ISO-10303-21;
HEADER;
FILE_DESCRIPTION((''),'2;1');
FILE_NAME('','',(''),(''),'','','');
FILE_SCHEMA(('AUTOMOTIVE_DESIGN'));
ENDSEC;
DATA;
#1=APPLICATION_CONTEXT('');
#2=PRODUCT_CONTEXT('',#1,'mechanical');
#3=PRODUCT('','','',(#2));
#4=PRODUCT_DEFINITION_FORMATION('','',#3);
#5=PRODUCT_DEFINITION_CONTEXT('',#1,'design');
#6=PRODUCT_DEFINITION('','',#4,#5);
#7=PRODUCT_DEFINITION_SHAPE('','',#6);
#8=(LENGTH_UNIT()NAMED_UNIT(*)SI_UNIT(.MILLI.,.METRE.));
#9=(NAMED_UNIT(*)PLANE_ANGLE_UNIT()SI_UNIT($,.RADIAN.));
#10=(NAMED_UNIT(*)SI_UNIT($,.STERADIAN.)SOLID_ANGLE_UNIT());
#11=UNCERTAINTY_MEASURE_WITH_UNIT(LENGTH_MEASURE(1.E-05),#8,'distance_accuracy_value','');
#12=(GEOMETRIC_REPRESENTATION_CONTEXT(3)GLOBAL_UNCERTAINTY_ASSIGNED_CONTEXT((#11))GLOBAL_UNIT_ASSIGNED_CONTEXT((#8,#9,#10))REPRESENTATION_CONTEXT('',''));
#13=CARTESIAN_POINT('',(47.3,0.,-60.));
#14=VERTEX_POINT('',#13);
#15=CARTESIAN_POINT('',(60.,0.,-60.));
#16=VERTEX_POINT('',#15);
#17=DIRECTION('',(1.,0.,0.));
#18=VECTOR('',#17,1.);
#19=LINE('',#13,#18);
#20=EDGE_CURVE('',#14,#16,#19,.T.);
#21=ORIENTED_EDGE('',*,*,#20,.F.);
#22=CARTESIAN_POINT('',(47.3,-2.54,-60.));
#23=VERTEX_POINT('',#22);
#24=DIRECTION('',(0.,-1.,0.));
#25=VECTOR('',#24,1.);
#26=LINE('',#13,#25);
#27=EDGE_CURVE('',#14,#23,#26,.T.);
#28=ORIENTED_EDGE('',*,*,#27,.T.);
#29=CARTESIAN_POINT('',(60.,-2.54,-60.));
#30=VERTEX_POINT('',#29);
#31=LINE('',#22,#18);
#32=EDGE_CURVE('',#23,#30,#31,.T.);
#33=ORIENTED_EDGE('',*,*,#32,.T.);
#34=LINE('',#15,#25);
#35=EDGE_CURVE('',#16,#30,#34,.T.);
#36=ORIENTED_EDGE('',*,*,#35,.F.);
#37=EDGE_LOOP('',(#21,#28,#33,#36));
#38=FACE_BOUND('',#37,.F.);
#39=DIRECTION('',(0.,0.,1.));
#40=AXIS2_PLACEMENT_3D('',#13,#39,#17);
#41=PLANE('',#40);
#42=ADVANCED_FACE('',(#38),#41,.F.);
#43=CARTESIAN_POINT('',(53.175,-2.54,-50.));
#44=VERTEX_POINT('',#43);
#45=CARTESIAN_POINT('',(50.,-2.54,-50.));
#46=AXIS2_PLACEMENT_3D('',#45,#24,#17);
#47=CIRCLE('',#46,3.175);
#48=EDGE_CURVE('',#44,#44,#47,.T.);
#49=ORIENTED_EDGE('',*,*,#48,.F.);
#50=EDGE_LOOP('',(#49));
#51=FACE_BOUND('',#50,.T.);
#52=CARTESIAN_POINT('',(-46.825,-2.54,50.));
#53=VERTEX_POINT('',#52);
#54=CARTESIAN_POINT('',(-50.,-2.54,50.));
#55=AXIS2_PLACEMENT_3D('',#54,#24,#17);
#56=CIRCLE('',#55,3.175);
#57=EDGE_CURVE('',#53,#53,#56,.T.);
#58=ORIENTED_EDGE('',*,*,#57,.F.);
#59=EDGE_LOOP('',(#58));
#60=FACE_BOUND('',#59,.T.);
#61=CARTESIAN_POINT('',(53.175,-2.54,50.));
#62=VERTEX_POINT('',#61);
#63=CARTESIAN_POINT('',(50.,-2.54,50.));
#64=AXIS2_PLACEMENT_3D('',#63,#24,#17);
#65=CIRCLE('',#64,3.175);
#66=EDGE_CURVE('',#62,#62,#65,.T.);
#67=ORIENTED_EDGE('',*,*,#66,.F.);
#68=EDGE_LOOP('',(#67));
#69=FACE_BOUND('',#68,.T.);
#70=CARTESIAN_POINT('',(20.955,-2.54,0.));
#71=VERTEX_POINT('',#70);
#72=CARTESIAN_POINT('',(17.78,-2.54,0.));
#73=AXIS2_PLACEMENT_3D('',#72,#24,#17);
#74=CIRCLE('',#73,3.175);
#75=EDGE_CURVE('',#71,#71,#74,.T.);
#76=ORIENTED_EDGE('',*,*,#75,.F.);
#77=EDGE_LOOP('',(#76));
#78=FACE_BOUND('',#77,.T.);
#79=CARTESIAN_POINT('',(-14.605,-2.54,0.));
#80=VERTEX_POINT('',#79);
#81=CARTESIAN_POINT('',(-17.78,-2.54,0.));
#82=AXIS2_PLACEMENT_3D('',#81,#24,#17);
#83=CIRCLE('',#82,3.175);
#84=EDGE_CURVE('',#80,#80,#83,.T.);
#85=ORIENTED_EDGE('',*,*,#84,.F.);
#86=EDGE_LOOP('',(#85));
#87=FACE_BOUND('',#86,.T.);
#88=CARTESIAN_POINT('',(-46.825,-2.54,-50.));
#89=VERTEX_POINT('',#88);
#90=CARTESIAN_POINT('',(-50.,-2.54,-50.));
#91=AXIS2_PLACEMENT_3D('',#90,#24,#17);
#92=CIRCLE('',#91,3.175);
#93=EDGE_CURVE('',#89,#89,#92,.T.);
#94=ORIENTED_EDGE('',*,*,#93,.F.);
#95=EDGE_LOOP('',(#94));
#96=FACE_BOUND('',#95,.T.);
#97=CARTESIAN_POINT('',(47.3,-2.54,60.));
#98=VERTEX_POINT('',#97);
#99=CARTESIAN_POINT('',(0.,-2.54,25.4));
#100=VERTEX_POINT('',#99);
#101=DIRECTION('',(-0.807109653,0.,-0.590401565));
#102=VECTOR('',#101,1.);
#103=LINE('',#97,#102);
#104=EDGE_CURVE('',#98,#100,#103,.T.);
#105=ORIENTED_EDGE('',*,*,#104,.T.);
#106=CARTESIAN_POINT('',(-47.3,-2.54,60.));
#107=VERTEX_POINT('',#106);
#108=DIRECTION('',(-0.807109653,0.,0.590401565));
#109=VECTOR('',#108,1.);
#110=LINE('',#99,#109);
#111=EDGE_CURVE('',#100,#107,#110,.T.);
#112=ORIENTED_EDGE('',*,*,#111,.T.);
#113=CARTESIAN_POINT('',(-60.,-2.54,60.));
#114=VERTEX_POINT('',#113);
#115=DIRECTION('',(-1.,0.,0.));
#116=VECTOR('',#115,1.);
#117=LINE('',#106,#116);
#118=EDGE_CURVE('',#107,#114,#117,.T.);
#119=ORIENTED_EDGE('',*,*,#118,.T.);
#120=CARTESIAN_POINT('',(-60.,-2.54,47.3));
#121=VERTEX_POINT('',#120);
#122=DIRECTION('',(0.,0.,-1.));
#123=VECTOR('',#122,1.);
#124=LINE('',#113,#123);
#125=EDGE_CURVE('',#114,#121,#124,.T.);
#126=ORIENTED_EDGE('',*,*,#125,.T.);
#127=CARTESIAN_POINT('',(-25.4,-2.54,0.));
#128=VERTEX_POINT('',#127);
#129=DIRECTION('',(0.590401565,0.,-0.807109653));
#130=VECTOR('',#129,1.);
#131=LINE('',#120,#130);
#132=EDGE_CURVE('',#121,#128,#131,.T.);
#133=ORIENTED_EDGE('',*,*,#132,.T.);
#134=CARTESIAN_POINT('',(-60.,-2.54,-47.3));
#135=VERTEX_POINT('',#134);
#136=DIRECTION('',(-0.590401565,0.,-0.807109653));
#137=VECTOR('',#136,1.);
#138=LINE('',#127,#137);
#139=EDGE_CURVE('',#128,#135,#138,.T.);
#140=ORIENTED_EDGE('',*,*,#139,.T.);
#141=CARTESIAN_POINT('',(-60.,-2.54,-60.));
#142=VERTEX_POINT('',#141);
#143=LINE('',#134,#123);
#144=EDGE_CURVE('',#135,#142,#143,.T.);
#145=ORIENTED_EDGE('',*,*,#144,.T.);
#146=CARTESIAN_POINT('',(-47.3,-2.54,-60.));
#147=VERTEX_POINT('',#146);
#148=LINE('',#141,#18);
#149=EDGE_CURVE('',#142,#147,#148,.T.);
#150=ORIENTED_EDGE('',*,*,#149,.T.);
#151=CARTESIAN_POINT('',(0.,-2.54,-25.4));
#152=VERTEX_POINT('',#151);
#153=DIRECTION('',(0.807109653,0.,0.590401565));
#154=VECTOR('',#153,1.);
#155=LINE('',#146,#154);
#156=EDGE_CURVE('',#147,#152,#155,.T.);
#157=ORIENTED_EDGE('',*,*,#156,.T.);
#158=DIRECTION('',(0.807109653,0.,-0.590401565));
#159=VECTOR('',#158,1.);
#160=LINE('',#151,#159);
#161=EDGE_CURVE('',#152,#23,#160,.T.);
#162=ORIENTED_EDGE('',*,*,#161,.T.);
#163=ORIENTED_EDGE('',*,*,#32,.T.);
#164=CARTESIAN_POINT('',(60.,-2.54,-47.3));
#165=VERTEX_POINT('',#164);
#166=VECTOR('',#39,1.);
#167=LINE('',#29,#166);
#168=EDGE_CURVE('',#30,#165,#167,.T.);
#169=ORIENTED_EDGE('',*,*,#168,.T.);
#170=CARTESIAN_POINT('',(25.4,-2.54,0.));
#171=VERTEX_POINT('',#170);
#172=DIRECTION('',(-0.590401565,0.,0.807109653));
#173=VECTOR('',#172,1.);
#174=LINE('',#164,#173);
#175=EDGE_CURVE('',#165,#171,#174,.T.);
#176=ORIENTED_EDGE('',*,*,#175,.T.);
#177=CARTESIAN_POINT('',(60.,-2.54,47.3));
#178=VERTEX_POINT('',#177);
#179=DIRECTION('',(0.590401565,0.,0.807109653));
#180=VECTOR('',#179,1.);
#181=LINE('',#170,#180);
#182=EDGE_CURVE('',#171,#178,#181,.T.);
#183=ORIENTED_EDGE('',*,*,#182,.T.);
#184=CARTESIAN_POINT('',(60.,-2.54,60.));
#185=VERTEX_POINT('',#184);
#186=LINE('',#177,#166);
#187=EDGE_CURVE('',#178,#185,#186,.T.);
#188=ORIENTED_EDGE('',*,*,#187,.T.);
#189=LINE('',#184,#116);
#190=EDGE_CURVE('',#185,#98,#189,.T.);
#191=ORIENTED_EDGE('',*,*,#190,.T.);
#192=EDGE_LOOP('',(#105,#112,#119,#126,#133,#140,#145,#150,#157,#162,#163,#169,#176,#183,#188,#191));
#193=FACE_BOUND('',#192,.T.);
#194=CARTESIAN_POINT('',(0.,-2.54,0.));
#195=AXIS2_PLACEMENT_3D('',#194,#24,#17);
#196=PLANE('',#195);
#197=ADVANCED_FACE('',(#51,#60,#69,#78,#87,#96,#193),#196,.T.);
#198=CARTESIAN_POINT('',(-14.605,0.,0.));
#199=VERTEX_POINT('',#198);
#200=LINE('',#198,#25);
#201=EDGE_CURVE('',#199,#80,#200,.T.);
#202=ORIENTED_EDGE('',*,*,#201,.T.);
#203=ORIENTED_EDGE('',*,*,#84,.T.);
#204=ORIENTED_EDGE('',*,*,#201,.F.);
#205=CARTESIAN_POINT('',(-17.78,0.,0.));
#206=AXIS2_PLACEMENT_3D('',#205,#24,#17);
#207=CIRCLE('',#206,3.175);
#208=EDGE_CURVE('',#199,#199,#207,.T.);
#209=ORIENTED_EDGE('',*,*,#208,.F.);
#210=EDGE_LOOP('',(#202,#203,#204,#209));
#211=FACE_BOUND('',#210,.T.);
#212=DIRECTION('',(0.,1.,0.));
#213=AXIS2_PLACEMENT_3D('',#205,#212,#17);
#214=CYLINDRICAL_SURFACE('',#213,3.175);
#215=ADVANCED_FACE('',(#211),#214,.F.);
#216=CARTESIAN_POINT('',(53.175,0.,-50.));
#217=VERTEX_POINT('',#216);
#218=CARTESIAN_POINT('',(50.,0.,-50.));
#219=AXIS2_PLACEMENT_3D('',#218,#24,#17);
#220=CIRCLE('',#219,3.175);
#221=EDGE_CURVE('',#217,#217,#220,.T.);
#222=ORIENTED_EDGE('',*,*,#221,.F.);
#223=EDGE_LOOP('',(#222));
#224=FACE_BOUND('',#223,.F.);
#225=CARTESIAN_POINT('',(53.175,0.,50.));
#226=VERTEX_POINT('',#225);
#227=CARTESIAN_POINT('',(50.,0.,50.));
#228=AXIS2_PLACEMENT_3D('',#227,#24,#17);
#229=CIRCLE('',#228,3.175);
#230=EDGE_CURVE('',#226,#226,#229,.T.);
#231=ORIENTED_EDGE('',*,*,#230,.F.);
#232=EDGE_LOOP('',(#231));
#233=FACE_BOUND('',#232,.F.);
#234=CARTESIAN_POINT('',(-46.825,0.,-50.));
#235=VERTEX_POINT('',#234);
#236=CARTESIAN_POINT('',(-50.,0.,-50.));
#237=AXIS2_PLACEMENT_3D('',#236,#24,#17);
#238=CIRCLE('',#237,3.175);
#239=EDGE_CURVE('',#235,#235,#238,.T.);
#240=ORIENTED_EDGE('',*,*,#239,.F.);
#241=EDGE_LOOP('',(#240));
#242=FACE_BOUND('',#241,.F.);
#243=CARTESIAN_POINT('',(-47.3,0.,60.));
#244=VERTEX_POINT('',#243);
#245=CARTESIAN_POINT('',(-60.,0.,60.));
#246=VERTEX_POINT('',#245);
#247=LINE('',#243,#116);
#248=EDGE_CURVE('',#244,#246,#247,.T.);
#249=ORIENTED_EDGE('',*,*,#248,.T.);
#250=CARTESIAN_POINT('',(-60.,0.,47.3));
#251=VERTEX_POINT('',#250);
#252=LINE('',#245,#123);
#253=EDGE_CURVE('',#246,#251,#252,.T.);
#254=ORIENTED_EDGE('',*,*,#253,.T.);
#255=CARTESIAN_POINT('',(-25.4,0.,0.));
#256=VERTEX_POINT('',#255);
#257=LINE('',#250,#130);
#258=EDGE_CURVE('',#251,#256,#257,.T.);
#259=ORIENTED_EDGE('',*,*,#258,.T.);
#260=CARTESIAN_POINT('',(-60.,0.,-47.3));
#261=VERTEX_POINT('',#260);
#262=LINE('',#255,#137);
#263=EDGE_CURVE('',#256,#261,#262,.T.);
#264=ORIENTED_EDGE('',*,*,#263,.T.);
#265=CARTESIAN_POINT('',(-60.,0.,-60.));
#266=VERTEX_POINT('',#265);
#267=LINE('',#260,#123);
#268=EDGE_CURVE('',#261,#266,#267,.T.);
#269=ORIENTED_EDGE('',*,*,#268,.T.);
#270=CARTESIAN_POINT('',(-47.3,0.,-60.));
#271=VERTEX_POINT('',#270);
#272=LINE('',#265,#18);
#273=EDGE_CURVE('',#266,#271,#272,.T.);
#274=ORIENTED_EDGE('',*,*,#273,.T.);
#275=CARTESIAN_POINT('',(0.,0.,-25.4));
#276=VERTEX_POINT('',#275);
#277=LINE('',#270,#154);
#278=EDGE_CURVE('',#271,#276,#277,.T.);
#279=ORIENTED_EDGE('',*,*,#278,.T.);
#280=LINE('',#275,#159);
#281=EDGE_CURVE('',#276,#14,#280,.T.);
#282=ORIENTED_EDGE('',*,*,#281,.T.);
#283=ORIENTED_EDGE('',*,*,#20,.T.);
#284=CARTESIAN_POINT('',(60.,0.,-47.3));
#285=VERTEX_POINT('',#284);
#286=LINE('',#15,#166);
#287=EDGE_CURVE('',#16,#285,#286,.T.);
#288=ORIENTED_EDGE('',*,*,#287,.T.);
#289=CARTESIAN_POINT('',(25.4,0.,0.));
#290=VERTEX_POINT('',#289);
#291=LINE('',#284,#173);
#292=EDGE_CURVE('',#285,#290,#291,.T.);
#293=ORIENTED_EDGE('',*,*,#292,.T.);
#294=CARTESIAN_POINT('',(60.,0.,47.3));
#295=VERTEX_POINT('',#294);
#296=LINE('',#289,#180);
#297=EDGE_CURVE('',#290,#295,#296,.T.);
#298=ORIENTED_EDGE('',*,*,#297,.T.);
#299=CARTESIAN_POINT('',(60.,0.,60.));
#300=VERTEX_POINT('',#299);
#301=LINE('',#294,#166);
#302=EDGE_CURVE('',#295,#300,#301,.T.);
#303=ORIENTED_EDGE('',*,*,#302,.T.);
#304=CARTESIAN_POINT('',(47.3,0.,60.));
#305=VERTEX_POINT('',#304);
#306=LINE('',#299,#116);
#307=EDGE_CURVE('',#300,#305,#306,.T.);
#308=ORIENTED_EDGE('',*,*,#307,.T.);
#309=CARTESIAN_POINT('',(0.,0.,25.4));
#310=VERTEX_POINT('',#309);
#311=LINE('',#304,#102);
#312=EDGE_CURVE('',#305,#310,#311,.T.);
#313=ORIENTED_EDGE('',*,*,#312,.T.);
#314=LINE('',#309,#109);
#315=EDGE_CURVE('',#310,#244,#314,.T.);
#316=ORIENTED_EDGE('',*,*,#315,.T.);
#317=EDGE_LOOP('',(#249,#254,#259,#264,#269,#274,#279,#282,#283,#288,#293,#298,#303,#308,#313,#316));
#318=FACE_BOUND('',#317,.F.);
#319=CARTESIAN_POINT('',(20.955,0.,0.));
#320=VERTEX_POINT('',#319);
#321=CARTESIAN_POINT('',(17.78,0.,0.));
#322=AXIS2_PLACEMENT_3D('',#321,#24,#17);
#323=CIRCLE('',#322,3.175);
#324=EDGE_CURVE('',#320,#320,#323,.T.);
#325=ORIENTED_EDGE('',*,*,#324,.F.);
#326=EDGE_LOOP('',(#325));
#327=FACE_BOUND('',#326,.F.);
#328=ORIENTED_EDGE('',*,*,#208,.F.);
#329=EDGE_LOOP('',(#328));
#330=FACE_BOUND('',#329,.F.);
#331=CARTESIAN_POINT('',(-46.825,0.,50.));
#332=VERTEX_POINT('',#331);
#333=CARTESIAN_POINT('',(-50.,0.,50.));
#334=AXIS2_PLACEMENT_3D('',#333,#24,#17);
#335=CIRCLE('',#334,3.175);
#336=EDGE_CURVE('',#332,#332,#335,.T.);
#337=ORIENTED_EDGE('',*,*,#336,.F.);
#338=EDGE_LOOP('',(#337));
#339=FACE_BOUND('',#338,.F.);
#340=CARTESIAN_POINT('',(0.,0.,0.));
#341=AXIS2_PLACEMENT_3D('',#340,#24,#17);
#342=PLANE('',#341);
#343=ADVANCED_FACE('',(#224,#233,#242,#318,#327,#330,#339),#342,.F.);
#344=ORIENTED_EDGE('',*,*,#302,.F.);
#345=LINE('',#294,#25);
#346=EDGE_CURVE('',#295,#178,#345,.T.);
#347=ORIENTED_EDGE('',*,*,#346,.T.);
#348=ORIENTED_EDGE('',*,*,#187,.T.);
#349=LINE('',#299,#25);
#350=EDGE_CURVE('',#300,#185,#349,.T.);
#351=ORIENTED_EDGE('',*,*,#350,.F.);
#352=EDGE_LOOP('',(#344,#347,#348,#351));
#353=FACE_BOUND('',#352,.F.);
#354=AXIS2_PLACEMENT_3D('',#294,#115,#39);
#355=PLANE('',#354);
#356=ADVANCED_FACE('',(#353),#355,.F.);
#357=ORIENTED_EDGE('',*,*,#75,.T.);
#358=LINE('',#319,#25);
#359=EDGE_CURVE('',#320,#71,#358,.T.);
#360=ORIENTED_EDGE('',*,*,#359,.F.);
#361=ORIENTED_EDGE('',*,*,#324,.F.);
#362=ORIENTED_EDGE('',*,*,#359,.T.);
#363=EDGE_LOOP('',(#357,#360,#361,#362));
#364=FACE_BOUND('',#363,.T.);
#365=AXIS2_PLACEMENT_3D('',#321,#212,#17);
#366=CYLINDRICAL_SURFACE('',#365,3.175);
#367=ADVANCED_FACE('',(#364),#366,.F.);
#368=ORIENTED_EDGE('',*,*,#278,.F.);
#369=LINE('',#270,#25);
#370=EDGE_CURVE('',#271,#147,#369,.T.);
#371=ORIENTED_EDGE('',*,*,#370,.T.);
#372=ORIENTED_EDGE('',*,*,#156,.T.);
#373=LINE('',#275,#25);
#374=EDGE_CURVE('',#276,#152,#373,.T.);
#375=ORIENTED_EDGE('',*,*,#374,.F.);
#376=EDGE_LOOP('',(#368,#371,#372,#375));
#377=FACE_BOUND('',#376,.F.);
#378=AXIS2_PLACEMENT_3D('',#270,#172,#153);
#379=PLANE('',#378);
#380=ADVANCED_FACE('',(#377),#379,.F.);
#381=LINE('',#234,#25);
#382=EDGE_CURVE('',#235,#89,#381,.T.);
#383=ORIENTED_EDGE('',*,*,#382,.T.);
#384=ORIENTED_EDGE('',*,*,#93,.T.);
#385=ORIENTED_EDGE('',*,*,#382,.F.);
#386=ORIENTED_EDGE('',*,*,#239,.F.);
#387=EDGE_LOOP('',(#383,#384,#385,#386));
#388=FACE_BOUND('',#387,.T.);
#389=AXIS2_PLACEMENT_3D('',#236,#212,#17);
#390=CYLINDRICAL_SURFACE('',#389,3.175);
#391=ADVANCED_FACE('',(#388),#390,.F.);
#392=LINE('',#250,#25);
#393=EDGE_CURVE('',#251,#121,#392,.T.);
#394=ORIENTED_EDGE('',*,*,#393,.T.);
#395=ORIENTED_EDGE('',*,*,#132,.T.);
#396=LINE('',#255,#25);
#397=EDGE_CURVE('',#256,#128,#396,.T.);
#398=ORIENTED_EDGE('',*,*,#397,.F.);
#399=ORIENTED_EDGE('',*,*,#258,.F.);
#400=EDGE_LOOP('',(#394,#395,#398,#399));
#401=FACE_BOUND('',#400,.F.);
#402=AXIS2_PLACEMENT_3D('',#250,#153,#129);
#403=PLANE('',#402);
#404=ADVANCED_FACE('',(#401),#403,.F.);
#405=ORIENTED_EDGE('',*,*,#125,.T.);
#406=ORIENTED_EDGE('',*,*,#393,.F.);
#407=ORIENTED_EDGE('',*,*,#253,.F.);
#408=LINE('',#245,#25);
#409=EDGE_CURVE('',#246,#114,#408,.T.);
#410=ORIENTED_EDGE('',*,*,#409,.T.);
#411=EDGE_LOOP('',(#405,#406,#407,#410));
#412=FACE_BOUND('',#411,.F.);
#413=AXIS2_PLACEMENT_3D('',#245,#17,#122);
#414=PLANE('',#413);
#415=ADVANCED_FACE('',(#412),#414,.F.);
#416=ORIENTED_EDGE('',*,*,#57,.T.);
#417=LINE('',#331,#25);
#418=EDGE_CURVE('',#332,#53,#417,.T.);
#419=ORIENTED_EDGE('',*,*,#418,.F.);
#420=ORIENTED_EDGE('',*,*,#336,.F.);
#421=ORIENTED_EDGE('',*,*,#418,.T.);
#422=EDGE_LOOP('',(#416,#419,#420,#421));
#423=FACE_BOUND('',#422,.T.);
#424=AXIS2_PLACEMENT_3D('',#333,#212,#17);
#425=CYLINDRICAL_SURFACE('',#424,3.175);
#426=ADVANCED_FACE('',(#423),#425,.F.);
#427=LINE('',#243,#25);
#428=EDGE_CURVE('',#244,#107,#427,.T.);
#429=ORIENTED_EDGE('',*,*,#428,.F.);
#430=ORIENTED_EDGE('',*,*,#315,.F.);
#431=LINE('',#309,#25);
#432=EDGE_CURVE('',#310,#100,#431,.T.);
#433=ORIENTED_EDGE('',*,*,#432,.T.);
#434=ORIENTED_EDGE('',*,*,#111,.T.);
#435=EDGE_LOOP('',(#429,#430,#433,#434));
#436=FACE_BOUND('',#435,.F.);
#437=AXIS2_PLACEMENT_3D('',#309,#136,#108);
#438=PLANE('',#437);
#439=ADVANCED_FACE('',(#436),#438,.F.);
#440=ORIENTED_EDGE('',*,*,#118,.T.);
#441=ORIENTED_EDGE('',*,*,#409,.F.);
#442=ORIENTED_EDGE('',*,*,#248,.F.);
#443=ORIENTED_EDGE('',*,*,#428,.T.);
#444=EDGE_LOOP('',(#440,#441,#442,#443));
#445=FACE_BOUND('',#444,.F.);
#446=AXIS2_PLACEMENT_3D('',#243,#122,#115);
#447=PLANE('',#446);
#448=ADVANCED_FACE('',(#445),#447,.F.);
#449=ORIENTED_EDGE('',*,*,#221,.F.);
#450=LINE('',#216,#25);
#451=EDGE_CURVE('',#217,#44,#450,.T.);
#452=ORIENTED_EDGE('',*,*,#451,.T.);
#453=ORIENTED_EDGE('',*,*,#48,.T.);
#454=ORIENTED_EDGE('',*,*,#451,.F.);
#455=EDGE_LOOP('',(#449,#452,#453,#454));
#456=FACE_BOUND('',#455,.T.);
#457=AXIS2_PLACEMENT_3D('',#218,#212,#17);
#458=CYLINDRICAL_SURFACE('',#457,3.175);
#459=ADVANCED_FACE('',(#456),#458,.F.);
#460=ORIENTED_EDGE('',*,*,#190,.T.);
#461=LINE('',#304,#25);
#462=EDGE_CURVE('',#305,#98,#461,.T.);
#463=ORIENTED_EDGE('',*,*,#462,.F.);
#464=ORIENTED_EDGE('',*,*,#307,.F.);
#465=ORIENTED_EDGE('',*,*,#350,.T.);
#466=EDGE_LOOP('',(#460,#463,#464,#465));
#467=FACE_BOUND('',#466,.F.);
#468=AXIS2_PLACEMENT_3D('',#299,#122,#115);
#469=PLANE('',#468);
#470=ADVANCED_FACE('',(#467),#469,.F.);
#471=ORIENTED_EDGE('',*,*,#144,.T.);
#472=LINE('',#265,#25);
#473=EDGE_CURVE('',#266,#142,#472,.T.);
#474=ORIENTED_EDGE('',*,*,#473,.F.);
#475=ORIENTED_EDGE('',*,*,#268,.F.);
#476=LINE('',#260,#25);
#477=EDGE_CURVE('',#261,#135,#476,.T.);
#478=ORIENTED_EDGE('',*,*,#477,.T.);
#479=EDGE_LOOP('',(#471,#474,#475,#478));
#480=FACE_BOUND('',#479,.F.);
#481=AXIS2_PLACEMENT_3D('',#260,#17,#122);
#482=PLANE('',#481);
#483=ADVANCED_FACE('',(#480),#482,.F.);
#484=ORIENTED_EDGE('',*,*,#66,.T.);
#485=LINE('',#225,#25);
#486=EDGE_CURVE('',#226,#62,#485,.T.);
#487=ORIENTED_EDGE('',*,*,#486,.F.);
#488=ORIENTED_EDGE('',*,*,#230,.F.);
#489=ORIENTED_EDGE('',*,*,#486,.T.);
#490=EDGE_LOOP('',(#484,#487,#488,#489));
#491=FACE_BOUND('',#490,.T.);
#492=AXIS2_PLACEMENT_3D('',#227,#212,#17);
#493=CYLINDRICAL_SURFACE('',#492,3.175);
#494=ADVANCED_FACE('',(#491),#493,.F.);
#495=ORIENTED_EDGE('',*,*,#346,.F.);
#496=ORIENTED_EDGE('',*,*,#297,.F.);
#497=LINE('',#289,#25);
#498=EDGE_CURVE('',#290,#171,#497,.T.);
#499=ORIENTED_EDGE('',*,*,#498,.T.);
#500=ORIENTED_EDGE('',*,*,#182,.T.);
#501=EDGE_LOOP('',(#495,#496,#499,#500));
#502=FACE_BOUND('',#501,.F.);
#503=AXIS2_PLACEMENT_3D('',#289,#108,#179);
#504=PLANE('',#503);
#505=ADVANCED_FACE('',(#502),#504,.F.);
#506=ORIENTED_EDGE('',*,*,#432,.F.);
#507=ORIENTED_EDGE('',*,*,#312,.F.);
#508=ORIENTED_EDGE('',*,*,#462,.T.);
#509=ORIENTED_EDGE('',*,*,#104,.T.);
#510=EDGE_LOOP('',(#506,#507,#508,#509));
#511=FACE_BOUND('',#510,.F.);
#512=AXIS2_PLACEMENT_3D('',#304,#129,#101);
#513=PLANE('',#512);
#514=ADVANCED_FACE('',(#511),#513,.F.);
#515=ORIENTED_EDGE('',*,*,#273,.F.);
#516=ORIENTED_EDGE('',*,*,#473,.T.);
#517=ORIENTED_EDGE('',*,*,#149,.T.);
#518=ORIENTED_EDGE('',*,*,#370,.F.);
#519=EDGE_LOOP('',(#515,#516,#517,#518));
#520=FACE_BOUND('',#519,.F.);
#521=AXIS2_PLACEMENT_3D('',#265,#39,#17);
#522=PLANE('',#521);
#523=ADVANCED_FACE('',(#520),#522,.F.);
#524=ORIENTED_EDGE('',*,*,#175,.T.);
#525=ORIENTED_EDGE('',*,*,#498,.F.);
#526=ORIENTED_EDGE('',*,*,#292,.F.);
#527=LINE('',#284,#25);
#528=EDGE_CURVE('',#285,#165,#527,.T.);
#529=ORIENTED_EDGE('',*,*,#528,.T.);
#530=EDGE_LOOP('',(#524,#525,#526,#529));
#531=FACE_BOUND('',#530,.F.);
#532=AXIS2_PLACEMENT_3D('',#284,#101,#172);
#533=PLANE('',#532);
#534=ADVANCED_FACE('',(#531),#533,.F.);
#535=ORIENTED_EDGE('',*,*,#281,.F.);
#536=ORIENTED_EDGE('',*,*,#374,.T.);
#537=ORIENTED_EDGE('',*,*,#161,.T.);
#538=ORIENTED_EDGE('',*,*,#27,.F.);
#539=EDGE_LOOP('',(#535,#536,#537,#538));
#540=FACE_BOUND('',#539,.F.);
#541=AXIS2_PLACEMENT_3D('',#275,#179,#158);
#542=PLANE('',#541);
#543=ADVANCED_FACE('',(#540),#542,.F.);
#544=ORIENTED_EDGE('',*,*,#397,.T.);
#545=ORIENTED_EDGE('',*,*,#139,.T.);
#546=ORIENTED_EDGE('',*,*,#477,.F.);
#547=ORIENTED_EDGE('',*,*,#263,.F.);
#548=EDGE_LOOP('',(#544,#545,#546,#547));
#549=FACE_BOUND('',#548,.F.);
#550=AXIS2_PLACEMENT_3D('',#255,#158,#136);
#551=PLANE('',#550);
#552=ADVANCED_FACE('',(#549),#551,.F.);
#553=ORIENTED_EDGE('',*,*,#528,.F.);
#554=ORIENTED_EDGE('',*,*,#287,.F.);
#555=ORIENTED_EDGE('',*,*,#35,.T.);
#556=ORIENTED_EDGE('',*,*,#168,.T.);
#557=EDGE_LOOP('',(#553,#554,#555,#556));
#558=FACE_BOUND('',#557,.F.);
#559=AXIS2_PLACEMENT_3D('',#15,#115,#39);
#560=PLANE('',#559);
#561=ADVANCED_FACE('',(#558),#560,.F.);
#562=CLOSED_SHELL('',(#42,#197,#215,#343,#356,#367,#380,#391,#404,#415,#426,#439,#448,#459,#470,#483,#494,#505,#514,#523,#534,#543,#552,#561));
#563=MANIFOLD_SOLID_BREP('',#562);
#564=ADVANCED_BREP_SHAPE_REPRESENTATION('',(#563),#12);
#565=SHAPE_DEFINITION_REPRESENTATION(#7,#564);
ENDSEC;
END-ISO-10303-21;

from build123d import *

# Parameters (mm, degrees)
F0_R     = 3.175
F1_DEPTH = 2.54


with BuildPart() as f1:
    # F0 (on Front) → F1 (new body)
    with BuildSketch(Plane.XZ):
        Polygon((60, 47.3), (60, 60), (47.3, 60), (0, 25.4), (-47.3, 60), (-60, 60), (-60, 47.3), (-25.4, 0), (-60, -47.3), (-60, -60), (-47.3, -60), (0, -25.4), (47.3, -60), (60, -60), (60, -47.3), (25.4, 0), align=None)
        with Locations((-50, -50)):
            Circle(F0_R, mode=Mode.SUBTRACT)
        with Locations((50, -50)):
            Circle(F0_R, mode=Mode.SUBTRACT)
        with Locations((-17.78, 0)):
            Circle(F0_R, mode=Mode.SUBTRACT)
        with Locations((-50, 50)):
            Circle(F0_R, mode=Mode.SUBTRACT)
        with Locations((17.78, 0)):
            Circle(F0_R, mode=Mode.SUBTRACT)
        with Locations((50, 50)):
            Circle(F0_R, mode=Mode.SUBTRACT)
    extrude(amount=F1_DEPTH)


solid = f1.part
